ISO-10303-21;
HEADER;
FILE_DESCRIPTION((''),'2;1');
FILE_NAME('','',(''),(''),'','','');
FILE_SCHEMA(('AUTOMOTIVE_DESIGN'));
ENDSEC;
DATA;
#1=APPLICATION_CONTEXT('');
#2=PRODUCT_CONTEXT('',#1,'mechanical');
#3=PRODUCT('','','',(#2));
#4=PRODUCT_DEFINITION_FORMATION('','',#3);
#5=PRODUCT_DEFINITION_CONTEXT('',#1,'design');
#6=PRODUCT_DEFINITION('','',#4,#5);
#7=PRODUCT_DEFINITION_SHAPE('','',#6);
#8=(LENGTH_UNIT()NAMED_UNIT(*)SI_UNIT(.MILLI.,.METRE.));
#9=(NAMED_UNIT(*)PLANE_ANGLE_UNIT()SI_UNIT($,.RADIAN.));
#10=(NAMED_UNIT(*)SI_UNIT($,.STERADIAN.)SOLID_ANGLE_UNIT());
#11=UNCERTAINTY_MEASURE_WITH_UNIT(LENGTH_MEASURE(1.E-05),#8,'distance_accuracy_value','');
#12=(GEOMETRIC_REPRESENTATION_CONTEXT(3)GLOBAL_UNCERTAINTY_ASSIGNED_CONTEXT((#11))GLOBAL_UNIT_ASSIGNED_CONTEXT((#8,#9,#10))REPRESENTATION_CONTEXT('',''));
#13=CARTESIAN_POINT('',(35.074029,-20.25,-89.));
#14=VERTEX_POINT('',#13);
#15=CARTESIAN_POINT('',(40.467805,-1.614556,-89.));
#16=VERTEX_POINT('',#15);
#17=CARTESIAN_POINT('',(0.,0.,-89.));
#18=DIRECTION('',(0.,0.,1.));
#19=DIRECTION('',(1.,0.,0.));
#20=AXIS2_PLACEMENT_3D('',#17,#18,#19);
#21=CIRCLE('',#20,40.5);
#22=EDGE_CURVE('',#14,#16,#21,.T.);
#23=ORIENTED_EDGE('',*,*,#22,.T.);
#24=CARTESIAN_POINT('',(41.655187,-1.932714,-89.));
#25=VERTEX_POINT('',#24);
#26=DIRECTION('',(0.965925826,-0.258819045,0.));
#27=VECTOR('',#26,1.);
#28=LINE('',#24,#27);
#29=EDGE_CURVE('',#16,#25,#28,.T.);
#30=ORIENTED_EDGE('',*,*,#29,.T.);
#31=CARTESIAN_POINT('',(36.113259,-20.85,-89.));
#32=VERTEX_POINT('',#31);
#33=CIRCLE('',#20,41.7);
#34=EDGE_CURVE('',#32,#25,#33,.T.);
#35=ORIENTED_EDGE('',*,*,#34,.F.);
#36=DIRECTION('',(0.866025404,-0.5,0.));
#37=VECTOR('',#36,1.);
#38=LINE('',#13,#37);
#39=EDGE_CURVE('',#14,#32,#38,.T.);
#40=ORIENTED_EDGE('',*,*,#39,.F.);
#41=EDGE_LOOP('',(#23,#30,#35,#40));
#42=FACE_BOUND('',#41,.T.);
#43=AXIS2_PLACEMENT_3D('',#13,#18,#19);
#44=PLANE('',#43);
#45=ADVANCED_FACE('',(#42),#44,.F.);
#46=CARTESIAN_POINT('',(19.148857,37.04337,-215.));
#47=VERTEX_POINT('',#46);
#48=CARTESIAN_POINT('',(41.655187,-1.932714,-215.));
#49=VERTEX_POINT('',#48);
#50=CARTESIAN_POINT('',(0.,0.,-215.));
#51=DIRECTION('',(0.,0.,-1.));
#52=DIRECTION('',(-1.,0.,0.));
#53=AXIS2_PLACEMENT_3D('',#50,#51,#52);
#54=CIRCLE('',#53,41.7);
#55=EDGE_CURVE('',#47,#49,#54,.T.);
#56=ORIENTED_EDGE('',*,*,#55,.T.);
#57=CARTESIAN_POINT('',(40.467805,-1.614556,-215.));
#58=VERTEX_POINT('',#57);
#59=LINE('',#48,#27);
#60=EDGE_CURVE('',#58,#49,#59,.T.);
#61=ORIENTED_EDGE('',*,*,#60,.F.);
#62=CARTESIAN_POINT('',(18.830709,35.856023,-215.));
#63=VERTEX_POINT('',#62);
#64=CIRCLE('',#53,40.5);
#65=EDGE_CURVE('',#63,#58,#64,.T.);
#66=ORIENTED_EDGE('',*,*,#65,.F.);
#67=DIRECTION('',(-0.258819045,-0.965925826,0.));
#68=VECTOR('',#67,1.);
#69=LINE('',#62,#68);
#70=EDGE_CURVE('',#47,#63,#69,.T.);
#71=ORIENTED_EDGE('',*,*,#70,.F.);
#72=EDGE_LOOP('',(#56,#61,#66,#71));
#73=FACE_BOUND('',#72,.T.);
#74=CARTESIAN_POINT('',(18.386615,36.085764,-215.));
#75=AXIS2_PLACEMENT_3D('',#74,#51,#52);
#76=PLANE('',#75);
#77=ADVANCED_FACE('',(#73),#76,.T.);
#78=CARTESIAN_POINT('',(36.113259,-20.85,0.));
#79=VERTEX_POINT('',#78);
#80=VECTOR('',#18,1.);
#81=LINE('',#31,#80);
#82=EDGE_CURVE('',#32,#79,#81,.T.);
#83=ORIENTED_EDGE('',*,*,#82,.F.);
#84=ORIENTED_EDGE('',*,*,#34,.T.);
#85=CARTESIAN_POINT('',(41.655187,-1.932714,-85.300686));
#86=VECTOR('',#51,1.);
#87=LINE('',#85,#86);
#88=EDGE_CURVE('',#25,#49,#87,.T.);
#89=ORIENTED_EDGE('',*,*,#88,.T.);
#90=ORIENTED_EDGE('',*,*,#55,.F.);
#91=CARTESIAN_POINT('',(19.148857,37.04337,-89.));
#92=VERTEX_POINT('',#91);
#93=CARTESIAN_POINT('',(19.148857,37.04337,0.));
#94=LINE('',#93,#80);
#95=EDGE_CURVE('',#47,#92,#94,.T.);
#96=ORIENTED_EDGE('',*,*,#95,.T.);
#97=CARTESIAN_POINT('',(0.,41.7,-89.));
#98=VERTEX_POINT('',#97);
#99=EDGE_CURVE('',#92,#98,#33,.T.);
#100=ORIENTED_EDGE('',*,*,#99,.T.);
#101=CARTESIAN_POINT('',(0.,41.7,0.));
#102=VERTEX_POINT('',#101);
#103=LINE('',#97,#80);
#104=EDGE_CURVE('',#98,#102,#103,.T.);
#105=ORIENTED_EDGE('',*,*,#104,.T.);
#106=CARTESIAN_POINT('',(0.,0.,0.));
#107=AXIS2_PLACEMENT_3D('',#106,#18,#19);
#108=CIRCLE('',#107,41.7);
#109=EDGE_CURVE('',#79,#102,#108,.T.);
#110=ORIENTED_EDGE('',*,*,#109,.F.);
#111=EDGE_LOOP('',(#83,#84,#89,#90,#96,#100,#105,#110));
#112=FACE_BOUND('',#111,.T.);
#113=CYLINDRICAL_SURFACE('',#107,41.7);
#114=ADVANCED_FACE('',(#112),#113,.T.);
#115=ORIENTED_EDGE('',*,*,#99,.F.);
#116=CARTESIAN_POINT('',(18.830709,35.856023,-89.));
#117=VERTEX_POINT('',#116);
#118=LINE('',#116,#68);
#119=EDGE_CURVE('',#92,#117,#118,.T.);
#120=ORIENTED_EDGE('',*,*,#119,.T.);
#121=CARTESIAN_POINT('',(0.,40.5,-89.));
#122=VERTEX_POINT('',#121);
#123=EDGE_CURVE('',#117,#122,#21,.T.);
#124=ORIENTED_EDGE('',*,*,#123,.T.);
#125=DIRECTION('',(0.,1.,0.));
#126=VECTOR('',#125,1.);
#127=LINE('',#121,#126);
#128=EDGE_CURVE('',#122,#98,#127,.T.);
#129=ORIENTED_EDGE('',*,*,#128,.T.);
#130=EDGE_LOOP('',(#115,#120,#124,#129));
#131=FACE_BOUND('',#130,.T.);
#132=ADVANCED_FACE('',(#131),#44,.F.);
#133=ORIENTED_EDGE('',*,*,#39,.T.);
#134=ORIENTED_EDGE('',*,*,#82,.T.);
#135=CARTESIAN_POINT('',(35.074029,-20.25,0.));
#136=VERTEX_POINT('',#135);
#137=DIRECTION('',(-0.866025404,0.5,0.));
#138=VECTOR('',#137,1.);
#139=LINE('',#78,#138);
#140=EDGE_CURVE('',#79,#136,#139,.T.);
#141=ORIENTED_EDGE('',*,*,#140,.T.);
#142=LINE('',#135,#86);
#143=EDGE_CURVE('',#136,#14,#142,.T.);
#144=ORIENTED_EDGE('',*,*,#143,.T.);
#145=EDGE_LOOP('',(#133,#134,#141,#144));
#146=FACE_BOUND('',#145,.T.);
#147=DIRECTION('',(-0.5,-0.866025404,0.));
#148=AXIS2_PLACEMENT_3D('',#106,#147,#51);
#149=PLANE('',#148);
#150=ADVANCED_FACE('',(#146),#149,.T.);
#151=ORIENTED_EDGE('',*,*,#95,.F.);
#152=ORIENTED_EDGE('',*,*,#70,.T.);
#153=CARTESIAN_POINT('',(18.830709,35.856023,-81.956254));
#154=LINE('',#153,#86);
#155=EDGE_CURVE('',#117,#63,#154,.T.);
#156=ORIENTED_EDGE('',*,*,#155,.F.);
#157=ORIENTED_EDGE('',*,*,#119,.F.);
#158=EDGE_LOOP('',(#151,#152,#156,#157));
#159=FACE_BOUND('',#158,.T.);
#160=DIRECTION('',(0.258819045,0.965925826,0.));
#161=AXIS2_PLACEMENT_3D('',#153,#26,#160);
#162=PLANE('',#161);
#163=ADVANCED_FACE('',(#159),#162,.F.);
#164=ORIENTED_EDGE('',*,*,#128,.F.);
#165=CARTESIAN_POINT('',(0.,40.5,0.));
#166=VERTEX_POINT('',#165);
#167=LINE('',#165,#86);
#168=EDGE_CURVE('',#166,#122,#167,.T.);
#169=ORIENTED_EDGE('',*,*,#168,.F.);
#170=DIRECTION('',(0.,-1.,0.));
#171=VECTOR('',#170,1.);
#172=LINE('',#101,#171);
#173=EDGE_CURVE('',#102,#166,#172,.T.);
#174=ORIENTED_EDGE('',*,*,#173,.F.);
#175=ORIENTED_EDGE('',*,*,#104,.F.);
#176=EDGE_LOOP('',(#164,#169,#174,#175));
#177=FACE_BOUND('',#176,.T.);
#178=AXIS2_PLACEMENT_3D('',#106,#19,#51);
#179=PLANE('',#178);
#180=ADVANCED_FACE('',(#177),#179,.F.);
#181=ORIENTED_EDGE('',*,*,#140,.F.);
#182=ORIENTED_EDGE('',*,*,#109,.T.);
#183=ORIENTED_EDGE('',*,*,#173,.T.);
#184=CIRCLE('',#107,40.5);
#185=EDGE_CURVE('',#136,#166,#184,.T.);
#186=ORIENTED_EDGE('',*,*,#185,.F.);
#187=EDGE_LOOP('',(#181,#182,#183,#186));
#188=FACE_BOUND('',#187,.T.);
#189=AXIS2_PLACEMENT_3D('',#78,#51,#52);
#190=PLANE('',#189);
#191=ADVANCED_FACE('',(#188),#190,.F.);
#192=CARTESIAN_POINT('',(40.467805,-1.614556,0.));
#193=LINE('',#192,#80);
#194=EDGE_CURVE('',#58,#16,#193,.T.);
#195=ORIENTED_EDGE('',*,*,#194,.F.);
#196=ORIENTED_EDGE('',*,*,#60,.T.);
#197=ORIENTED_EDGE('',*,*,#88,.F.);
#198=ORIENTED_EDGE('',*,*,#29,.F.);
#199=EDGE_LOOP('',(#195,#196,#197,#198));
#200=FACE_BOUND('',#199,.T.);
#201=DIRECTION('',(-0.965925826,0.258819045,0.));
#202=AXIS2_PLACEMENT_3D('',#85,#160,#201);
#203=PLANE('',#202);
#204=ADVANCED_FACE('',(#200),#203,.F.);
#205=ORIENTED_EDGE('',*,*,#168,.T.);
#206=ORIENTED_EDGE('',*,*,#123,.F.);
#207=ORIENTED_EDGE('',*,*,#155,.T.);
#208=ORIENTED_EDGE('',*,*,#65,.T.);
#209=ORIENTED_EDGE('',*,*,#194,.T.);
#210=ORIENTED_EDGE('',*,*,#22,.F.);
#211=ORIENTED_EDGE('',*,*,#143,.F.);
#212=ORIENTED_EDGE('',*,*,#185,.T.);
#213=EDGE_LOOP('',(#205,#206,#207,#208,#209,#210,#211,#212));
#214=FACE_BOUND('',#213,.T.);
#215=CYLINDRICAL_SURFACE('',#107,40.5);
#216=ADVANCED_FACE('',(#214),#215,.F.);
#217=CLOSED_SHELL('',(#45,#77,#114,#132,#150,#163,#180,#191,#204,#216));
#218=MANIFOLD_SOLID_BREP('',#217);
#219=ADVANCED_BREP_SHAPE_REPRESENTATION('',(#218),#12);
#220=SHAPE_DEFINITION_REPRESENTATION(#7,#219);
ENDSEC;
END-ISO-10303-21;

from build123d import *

# Parameters (mm, degrees)
REVOLVE_1_ANGLE           = 120.00000000000027
REVOLVE_2_ANGLE           = 33.00000000000007
REVOLVE_2_OTHER_WAY_ANGLE = 33.00000000000007
CUT_EXTRUDE_4_DEPTH       = 126
CUT_EXTRUDE_5_DEPTH       = 126


with BuildPart() as part:
    # Эскиз1 → Повернуть1 (revolve)
    with BuildSketch(Plane(origin=(0, 0, 0), x_dir=(0, 0, -1), z_dir=(1, 0, 0))):
        Polygon((-2e-17, 41.7), (-4.23e-15, 40.5), (89, 40.5), (89, 41.70000000000002), align=None)
    revolve(axis=Axis((0, 0, 0), (0, 0, -1)), revolution_arc=REVOLVE_1_ANGLE)

    # Эскиз3 → Повернуть2 (revolve)
    with BuildSketch(Plane(origin=(0, 0, 0), x_dir=(0, 0, 1), z_dir=(0.499999999999998, -0.8660254037844398, 0))):
        Polygon((-89, -40.5), (-215, -40.500000000000014), (-215, -41.70000000000002), (-89, -41.700000000000024), align=None)
    revolve(axis=Axis((0, 0, -89), (0, 0, 1)), revolution_arc=REVOLVE_2_ANGLE)

    # Эскиз3 → Повернуть2 other way (revolve)
    with BuildSketch(Plane(origin=(0, 0, 0), x_dir=(0, 0, 1), z_dir=(0.499999999999998, -0.8660254037844398, 0))):
        Polygon((-89, -40.5), (-215, -40.500000000000014), (-215, -41.70000000000002), (-89, -41.700000000000024), align=None)
    revolve(axis=Axis((0, 0, -89), (0, 0, -1)), revolution_arc=REVOLVE_2_OTHER_WAY_ANGLE)

    # Эскиз5 → Вырез-Вытянуть4 (cut)
    with BuildSketch(Plane(origin=(0, 0, -215), x_dir=(-1, 0, 0), z_dir=(0, 0, -1))):
        Polygon((-41.65518715609019, -1.9327138927169163), (-39.93832529078865, -1.4726821423935714), (-38.91609393559994, -3.4834404042625358), (-41.909594866084106, -3.6461306722236317), align=None)
    extrude(amount=-CUT_EXTRUDE_4_DEPTH, mode=Mode.SUBTRACT)

    # Эскиз6 → Вырез-Вытянуть5 (cut)
    with BuildSketch(Plane(origin=(0, 0, -215), x_dir=(-1, 0, 0), z_dir=(0, 0, -1))):
        Polygon((-18.830708808502447, 35.8560232843715), (-19.80637583241834, 39.49726218889504), (-16.068176634900343, 39.433464562570705), (-15.316320189263505, 34.07013113552305), align=None)
    extrude(amount=-CUT_EXTRUDE_5_DEPTH, mode=Mode.SUBTRACT)


solid = part.part
